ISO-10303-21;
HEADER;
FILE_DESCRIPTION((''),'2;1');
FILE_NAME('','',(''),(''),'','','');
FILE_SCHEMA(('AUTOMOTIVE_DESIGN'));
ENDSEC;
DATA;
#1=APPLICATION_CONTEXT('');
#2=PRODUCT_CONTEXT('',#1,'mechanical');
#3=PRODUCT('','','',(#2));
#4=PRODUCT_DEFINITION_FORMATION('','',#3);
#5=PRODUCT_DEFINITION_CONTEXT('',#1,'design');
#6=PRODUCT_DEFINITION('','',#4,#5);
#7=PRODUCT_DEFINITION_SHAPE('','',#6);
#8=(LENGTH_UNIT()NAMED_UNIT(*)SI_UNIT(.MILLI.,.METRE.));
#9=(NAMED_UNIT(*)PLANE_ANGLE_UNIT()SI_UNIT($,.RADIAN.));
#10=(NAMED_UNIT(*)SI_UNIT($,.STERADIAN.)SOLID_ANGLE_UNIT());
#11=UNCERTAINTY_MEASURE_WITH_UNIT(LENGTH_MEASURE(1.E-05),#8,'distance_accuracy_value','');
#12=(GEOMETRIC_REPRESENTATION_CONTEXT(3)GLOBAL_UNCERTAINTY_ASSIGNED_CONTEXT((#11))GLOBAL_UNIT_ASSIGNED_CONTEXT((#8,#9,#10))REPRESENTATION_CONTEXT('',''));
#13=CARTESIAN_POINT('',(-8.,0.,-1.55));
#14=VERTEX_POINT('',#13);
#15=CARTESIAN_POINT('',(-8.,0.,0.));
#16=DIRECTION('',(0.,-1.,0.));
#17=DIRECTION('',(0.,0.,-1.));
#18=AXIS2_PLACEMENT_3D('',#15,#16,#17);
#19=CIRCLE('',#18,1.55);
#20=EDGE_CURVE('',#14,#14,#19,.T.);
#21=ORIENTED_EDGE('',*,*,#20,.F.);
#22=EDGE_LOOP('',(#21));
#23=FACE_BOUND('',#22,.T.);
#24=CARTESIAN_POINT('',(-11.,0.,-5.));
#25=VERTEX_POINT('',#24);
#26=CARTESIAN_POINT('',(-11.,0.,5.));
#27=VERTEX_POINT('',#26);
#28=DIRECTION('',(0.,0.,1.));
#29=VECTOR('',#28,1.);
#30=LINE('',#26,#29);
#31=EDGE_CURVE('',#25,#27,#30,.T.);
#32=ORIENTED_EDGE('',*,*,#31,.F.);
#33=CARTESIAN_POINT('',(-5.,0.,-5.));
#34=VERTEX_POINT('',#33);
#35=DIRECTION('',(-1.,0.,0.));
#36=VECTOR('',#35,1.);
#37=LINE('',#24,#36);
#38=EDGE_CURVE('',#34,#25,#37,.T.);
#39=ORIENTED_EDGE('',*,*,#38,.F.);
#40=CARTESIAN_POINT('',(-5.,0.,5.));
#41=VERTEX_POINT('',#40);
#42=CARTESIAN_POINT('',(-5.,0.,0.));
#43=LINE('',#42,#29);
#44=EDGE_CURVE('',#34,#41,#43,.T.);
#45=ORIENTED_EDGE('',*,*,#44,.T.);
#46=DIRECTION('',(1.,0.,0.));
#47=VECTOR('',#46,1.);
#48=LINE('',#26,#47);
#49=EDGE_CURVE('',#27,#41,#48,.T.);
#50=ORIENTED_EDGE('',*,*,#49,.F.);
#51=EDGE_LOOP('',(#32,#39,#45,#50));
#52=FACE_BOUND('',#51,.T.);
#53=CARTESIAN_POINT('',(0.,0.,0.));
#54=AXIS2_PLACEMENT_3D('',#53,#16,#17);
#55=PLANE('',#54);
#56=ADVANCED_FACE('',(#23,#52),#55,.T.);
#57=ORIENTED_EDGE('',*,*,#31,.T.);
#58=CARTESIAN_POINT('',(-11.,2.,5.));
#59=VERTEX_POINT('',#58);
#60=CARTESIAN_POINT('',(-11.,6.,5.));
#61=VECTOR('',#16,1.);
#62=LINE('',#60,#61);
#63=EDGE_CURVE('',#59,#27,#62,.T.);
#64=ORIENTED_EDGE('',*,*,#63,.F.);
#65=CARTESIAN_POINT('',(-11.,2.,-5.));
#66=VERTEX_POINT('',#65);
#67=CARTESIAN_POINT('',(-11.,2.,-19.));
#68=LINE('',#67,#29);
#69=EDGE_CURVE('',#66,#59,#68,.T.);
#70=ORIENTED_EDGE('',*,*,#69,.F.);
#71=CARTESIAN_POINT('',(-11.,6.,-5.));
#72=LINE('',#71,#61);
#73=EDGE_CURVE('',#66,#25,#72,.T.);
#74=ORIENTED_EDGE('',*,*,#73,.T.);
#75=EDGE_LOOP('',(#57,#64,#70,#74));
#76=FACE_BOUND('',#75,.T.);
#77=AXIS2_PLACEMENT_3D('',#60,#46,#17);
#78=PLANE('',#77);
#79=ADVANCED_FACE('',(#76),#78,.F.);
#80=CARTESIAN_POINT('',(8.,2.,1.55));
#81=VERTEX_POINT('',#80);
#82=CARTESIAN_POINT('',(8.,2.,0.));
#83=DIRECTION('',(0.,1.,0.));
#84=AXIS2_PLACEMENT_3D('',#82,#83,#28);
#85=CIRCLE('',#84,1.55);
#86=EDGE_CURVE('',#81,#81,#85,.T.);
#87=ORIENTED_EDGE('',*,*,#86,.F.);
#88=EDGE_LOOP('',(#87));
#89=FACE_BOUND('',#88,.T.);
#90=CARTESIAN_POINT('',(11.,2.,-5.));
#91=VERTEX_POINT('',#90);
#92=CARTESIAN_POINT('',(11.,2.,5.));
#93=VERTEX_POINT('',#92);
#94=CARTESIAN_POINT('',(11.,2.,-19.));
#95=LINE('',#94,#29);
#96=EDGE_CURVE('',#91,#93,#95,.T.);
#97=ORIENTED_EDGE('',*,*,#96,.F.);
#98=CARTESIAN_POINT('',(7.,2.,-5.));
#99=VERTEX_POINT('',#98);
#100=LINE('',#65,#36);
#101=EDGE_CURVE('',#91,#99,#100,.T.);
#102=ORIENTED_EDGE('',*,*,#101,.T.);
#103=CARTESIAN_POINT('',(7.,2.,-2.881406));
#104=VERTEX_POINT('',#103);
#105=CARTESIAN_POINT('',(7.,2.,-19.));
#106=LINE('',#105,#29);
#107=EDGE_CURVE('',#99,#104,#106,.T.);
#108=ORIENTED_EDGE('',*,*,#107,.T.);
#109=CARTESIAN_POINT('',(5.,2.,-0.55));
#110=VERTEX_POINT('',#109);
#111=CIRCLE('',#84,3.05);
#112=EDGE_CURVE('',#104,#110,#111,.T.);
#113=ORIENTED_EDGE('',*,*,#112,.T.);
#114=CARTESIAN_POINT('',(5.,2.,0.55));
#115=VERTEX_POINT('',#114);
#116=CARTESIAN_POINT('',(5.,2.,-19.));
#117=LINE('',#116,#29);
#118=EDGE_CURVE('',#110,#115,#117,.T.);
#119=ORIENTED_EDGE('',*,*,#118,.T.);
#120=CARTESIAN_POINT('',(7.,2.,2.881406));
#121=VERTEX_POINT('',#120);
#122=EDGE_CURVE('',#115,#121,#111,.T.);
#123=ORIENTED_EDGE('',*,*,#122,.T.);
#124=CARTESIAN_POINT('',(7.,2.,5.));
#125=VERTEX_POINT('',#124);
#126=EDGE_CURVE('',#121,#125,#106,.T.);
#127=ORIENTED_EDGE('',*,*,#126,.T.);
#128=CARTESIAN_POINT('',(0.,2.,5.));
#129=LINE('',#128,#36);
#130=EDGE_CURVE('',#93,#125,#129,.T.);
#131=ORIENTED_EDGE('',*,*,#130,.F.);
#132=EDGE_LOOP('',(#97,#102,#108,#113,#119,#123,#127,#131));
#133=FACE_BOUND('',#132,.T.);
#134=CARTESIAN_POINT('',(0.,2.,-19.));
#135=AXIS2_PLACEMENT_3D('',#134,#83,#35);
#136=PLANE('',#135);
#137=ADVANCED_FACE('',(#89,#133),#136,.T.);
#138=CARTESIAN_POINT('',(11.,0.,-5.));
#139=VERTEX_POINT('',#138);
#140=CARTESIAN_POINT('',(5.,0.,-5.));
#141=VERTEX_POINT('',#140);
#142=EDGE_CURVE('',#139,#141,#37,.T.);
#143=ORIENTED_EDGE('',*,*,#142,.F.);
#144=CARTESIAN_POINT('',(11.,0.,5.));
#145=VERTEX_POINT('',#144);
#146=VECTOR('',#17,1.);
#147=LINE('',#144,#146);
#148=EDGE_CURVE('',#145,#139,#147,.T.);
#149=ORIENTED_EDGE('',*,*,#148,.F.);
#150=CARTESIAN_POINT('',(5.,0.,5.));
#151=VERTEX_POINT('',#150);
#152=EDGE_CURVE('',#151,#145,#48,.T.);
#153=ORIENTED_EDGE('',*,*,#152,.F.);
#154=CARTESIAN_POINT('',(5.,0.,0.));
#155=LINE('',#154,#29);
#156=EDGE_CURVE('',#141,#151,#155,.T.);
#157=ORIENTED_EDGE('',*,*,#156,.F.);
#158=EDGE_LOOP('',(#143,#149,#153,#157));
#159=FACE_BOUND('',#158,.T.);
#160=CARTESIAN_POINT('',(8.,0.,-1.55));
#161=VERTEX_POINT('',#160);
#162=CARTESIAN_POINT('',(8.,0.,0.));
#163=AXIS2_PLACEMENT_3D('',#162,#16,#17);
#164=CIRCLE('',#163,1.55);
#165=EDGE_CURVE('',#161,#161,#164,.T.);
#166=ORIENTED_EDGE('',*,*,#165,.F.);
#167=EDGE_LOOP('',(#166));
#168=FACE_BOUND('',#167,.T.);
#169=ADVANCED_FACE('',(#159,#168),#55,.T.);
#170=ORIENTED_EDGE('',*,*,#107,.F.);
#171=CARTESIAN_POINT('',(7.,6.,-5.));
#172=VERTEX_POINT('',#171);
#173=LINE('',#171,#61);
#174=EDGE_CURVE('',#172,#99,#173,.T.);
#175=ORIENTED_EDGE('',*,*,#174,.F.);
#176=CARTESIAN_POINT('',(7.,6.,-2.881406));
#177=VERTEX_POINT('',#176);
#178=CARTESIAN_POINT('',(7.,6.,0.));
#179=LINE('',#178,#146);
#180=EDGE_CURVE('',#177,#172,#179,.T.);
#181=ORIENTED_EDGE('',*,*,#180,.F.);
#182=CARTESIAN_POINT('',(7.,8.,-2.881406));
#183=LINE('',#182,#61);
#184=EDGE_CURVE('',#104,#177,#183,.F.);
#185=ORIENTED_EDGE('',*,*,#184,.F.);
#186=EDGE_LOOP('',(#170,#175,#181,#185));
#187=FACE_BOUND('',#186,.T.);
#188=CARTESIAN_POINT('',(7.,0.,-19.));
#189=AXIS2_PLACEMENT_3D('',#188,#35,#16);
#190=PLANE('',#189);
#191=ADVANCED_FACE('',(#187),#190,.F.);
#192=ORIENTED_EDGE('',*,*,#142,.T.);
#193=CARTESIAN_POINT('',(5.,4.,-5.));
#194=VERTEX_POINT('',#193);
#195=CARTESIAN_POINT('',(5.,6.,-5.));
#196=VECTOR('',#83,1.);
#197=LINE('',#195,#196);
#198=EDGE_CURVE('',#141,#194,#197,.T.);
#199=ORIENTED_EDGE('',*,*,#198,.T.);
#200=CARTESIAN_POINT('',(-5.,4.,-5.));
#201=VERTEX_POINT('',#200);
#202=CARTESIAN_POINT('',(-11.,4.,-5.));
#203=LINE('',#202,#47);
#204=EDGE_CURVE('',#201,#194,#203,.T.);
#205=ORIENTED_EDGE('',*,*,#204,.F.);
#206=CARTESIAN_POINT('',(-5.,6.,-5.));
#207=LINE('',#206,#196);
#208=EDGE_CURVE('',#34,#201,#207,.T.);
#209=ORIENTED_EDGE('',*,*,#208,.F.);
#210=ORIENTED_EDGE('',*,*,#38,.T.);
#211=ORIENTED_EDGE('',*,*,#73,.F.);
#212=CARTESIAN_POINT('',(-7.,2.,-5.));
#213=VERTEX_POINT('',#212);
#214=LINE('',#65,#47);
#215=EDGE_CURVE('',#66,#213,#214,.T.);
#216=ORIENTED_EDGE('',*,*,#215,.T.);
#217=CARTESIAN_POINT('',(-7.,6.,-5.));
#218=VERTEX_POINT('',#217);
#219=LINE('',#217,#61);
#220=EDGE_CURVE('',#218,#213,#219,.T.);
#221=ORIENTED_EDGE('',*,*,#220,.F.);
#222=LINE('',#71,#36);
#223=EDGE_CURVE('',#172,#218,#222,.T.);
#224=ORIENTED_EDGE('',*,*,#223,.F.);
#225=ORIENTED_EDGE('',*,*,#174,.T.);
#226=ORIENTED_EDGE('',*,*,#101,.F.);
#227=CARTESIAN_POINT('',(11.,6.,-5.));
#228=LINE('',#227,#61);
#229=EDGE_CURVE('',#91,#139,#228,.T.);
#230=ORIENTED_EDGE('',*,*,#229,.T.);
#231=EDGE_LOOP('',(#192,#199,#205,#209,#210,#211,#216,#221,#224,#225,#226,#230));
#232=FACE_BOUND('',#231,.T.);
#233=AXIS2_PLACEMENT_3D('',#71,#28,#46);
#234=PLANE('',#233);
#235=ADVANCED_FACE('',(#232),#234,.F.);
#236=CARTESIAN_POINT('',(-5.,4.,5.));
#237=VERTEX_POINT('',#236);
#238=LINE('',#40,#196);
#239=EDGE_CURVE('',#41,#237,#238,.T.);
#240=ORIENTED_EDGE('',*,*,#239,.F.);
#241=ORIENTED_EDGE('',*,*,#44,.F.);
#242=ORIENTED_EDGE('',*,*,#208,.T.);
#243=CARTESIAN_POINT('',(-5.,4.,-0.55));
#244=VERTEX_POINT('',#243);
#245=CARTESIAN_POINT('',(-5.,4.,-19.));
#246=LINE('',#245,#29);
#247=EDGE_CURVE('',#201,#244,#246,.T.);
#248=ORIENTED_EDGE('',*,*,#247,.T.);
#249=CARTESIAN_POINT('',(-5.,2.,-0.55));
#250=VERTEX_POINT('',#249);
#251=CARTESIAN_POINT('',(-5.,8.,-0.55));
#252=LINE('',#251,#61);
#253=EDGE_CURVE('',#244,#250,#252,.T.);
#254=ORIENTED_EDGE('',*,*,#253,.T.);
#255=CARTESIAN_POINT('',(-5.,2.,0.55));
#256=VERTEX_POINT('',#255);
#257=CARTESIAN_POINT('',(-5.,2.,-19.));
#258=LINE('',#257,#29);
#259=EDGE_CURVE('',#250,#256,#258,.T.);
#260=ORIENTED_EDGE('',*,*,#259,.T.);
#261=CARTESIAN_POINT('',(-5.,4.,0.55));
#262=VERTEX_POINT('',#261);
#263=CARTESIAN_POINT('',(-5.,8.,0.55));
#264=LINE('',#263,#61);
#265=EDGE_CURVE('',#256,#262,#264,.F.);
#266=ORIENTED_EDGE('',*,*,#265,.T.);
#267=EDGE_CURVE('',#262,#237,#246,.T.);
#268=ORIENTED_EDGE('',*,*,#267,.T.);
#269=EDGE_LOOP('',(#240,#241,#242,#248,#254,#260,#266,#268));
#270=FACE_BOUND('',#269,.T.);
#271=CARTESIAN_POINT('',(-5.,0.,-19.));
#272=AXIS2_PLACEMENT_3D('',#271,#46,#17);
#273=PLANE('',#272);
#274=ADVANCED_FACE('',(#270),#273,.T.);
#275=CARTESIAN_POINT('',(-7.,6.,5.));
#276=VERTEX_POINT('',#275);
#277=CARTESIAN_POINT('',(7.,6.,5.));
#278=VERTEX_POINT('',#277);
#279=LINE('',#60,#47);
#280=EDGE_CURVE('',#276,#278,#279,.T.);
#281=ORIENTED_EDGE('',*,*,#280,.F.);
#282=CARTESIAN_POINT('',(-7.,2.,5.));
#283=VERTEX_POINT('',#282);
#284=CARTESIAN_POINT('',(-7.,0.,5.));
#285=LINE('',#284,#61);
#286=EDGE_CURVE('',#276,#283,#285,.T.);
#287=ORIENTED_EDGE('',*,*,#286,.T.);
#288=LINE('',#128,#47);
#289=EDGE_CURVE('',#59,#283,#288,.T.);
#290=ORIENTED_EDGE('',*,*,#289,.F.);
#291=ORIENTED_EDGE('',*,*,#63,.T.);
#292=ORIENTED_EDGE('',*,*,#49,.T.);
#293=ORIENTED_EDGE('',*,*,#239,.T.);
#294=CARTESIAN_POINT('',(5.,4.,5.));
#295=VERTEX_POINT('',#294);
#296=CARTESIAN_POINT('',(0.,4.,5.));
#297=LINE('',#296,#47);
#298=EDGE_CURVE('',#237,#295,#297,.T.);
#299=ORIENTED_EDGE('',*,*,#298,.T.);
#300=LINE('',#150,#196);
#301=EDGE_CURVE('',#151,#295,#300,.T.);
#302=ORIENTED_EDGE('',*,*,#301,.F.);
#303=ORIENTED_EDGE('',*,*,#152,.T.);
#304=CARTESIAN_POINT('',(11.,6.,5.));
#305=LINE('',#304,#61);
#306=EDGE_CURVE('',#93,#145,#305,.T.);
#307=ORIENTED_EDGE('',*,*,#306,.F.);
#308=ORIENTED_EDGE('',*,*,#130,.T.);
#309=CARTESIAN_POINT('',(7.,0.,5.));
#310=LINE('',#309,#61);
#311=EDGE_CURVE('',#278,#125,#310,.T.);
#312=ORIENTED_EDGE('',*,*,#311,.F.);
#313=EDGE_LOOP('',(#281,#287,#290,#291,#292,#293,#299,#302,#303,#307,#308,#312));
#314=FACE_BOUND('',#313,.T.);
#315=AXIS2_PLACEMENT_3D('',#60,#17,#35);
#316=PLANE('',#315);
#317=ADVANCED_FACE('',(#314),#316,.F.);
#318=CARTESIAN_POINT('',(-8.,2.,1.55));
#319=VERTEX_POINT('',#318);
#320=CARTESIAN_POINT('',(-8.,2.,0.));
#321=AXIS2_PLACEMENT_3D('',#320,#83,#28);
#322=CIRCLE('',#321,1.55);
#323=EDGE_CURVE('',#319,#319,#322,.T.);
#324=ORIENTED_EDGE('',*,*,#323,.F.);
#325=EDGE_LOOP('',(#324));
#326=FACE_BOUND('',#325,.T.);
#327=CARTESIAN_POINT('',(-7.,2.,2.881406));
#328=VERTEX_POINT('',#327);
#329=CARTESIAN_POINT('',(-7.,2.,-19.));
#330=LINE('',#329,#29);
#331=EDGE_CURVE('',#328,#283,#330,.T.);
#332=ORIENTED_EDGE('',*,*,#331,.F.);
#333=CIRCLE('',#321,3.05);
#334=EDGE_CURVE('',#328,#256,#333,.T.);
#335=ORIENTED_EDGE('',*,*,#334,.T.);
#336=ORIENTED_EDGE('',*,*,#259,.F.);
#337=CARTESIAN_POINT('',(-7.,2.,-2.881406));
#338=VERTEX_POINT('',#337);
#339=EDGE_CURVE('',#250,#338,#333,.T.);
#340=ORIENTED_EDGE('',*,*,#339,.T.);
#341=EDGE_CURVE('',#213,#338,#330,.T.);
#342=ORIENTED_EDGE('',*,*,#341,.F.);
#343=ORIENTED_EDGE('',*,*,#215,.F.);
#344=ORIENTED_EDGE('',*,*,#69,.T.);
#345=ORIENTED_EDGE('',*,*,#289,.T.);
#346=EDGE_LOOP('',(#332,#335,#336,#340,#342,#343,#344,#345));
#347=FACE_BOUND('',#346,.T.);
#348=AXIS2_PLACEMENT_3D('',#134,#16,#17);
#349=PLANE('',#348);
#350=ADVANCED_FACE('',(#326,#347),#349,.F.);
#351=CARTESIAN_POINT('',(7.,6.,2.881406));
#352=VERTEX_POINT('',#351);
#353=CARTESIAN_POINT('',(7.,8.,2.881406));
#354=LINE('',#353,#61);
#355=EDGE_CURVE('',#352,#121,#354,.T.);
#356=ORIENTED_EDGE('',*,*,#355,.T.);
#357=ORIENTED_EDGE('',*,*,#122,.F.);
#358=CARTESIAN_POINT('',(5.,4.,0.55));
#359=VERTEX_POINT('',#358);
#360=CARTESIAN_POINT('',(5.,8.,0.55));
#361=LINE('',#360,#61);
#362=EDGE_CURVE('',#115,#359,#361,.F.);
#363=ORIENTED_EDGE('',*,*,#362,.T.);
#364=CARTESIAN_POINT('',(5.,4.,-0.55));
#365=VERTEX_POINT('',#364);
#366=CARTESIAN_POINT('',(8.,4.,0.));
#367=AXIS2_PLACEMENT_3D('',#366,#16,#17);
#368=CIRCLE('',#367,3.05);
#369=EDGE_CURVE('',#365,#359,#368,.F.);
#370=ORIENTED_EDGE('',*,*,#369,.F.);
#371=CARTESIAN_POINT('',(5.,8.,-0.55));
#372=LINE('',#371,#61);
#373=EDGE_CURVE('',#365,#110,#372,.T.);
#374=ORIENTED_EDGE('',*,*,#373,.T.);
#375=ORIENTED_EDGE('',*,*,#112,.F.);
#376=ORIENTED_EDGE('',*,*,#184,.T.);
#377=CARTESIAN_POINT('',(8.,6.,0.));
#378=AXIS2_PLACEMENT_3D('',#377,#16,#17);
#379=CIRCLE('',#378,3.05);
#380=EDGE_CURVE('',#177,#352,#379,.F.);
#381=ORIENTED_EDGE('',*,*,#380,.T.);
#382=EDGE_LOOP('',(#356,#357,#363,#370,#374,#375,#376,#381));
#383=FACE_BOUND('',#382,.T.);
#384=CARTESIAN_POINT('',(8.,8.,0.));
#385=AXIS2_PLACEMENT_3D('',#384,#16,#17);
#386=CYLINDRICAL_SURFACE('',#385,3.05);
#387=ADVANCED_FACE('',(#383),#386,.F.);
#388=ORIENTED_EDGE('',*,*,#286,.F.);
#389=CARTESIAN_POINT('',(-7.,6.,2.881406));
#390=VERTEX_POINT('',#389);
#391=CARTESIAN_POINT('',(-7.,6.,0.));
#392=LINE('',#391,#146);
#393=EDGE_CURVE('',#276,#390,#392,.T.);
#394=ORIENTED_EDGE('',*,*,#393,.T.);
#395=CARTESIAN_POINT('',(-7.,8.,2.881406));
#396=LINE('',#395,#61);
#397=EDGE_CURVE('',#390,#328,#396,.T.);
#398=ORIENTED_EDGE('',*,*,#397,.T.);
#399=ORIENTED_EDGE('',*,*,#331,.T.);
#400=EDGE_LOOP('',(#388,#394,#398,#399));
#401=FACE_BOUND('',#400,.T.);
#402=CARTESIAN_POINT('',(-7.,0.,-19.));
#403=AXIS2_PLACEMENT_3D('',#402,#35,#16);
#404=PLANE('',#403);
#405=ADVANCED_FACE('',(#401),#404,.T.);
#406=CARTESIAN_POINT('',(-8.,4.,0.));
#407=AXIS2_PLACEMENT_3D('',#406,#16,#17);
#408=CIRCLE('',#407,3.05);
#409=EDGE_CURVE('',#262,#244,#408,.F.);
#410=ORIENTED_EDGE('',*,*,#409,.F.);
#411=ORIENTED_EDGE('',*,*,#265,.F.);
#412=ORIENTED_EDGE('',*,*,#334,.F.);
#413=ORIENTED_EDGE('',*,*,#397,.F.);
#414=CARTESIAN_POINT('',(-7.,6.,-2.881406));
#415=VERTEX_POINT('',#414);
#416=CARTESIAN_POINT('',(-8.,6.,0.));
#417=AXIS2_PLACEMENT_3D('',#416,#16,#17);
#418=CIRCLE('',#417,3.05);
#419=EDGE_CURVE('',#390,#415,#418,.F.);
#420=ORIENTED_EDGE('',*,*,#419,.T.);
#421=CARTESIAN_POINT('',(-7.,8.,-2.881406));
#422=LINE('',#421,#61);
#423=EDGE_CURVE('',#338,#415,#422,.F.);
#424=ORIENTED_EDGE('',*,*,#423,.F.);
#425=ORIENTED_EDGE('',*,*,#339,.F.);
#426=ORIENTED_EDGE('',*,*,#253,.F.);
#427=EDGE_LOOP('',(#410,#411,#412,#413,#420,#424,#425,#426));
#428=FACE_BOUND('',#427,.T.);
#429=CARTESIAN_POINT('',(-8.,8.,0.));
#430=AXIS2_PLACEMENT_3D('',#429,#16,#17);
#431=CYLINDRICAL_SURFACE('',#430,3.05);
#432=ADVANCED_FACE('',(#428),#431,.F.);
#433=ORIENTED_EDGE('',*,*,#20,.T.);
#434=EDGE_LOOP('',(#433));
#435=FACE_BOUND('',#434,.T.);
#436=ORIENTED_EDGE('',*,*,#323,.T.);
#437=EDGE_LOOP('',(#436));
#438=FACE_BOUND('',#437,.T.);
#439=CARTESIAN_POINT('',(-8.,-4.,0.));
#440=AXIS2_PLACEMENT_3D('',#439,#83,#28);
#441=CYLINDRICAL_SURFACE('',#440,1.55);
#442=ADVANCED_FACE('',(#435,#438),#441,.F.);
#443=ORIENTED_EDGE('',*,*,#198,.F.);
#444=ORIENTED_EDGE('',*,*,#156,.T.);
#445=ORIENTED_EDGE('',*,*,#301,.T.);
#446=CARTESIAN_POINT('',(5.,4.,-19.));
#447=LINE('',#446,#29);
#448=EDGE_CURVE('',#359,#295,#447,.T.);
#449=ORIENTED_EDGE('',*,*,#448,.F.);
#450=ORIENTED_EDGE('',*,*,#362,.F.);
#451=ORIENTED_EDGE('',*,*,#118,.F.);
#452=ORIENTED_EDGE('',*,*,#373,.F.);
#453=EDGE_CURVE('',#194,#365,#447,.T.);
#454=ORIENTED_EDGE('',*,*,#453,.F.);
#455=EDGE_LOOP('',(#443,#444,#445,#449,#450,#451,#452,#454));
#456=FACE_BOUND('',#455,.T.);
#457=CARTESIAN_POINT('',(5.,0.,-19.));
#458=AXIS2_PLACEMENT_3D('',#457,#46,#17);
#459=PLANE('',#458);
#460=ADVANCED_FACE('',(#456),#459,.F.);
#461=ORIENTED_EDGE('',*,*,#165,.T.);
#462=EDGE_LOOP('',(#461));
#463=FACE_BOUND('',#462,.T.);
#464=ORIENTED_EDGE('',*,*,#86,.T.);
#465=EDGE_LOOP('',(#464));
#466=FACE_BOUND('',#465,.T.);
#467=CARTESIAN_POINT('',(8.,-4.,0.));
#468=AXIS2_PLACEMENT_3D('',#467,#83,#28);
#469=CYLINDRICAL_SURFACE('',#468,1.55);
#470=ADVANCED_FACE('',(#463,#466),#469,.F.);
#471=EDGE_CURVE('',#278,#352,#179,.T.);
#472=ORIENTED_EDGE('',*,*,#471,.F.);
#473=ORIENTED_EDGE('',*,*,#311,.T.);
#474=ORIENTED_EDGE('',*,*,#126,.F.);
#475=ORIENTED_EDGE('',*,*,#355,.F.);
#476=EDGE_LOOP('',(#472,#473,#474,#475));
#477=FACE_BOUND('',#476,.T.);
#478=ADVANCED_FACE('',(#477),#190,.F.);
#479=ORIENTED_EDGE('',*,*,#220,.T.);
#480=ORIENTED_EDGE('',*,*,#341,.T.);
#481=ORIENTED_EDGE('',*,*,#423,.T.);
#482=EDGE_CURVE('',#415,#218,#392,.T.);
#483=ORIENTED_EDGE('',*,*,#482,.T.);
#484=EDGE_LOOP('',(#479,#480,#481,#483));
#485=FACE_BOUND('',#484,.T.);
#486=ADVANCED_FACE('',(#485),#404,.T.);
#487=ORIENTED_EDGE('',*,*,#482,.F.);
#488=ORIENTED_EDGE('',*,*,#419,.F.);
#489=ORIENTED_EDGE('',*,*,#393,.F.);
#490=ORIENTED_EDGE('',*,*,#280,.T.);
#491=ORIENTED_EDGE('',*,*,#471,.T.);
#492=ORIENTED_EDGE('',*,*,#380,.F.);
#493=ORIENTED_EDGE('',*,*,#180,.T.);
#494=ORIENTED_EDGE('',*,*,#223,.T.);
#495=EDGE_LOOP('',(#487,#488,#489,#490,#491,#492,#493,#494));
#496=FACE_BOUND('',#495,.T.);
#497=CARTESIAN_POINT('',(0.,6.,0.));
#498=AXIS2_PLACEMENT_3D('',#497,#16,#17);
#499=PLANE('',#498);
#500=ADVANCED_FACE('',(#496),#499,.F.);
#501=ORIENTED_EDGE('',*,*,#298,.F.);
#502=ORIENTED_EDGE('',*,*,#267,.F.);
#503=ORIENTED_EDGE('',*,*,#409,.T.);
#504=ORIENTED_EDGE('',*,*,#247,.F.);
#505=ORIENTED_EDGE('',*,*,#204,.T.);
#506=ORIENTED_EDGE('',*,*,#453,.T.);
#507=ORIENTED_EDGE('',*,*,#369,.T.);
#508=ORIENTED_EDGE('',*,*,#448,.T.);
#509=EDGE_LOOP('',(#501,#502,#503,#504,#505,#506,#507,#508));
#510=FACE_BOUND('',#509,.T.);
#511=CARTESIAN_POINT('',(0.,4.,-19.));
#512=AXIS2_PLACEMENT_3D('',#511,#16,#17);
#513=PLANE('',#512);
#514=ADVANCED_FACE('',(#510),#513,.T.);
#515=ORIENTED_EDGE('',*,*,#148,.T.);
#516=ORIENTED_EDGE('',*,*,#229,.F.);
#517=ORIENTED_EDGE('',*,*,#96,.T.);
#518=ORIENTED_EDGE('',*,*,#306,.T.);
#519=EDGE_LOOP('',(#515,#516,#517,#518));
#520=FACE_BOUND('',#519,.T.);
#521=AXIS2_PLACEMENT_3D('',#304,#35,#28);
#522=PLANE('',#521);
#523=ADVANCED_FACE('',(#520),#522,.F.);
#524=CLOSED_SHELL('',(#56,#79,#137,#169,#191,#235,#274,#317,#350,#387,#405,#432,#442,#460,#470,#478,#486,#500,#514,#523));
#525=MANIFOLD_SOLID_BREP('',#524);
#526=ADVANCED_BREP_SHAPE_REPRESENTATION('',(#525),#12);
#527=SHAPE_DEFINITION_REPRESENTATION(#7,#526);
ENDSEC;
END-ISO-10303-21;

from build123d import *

# Parameters (mm, degrees)
SKETCH_1_W          = 22
SKETCH_1_H          = 10
EXTRUDE_1_DEPTH     = 6
SKETCH_2_W          = 10
SKETCH_2_H          = 4
SKETCH_2_W_2        = 4
CUT_EXTRUDE_1_DEPTH = 24
SKETCH_3_R          = 1.55
CUT_EXTRUDE_2_DEPTH = 6
SKETCH_3_3_R        = 3.05
CUT_EXTRUDE_3_DEPTH = 6


with BuildPart() as part:
    # 草图1 → 凸台-拉伸1 (new body)
    with BuildSketch(Plane(origin=(0, 0, 0), x_dir=(1, 0, 0), z_dir=(0, 1, 0))):
        Rectangle(SKETCH_1_W, SKETCH_1_H)
    extrude(amount=EXTRUDE_1_DEPTH)

    # 草图2 → 切除-拉伸1 (cut)
    with BuildSketch(Plane.XY.offset(5)):
        with Locations((0, 2)):
            Rectangle(SKETCH_2_W, SKETCH_2_H)
        with Locations((-9, 4)):
            Rectangle(SKETCH_2_W_2, SKETCH_2_H)
        with Locations((9, 4)):
            Rectangle(SKETCH_2_W_2, SKETCH_2_H)
    extrude(amount=-CUT_EXTRUDE_1_DEPTH, mode=Mode.SUBTRACT)

    # 草图3 → 切除-拉伸2 (cut)
    with BuildSketch(Plane(origin=(0, 2, 0), x_dir=(1, 0, 0), z_dir=(0, 1, 0))):
        with Locations((-8, 0)):
            Circle(SKETCH_3_R)
        with Locations((8, 0)):
            Circle(SKETCH_3_R)
    extrude(amount=-CUT_EXTRUDE_2_DEPTH, mode=Mode.SUBTRACT)

    # 草图3<3> → 切除-拉伸3 (cut)
    with BuildSketch(Plane(origin=(0, 2, 0), x_dir=(1, 0, 0), z_dir=(0, 1, 0))):
        with Locations((-8, 0)):
            Circle(SKETCH_3_3_R)
        with Locations((8, 0)):
            Circle(SKETCH_3_3_R)
    extrude(amount=CUT_EXTRUDE_3_DEPTH, mode=Mode.SUBTRACT)


solid = part.part
